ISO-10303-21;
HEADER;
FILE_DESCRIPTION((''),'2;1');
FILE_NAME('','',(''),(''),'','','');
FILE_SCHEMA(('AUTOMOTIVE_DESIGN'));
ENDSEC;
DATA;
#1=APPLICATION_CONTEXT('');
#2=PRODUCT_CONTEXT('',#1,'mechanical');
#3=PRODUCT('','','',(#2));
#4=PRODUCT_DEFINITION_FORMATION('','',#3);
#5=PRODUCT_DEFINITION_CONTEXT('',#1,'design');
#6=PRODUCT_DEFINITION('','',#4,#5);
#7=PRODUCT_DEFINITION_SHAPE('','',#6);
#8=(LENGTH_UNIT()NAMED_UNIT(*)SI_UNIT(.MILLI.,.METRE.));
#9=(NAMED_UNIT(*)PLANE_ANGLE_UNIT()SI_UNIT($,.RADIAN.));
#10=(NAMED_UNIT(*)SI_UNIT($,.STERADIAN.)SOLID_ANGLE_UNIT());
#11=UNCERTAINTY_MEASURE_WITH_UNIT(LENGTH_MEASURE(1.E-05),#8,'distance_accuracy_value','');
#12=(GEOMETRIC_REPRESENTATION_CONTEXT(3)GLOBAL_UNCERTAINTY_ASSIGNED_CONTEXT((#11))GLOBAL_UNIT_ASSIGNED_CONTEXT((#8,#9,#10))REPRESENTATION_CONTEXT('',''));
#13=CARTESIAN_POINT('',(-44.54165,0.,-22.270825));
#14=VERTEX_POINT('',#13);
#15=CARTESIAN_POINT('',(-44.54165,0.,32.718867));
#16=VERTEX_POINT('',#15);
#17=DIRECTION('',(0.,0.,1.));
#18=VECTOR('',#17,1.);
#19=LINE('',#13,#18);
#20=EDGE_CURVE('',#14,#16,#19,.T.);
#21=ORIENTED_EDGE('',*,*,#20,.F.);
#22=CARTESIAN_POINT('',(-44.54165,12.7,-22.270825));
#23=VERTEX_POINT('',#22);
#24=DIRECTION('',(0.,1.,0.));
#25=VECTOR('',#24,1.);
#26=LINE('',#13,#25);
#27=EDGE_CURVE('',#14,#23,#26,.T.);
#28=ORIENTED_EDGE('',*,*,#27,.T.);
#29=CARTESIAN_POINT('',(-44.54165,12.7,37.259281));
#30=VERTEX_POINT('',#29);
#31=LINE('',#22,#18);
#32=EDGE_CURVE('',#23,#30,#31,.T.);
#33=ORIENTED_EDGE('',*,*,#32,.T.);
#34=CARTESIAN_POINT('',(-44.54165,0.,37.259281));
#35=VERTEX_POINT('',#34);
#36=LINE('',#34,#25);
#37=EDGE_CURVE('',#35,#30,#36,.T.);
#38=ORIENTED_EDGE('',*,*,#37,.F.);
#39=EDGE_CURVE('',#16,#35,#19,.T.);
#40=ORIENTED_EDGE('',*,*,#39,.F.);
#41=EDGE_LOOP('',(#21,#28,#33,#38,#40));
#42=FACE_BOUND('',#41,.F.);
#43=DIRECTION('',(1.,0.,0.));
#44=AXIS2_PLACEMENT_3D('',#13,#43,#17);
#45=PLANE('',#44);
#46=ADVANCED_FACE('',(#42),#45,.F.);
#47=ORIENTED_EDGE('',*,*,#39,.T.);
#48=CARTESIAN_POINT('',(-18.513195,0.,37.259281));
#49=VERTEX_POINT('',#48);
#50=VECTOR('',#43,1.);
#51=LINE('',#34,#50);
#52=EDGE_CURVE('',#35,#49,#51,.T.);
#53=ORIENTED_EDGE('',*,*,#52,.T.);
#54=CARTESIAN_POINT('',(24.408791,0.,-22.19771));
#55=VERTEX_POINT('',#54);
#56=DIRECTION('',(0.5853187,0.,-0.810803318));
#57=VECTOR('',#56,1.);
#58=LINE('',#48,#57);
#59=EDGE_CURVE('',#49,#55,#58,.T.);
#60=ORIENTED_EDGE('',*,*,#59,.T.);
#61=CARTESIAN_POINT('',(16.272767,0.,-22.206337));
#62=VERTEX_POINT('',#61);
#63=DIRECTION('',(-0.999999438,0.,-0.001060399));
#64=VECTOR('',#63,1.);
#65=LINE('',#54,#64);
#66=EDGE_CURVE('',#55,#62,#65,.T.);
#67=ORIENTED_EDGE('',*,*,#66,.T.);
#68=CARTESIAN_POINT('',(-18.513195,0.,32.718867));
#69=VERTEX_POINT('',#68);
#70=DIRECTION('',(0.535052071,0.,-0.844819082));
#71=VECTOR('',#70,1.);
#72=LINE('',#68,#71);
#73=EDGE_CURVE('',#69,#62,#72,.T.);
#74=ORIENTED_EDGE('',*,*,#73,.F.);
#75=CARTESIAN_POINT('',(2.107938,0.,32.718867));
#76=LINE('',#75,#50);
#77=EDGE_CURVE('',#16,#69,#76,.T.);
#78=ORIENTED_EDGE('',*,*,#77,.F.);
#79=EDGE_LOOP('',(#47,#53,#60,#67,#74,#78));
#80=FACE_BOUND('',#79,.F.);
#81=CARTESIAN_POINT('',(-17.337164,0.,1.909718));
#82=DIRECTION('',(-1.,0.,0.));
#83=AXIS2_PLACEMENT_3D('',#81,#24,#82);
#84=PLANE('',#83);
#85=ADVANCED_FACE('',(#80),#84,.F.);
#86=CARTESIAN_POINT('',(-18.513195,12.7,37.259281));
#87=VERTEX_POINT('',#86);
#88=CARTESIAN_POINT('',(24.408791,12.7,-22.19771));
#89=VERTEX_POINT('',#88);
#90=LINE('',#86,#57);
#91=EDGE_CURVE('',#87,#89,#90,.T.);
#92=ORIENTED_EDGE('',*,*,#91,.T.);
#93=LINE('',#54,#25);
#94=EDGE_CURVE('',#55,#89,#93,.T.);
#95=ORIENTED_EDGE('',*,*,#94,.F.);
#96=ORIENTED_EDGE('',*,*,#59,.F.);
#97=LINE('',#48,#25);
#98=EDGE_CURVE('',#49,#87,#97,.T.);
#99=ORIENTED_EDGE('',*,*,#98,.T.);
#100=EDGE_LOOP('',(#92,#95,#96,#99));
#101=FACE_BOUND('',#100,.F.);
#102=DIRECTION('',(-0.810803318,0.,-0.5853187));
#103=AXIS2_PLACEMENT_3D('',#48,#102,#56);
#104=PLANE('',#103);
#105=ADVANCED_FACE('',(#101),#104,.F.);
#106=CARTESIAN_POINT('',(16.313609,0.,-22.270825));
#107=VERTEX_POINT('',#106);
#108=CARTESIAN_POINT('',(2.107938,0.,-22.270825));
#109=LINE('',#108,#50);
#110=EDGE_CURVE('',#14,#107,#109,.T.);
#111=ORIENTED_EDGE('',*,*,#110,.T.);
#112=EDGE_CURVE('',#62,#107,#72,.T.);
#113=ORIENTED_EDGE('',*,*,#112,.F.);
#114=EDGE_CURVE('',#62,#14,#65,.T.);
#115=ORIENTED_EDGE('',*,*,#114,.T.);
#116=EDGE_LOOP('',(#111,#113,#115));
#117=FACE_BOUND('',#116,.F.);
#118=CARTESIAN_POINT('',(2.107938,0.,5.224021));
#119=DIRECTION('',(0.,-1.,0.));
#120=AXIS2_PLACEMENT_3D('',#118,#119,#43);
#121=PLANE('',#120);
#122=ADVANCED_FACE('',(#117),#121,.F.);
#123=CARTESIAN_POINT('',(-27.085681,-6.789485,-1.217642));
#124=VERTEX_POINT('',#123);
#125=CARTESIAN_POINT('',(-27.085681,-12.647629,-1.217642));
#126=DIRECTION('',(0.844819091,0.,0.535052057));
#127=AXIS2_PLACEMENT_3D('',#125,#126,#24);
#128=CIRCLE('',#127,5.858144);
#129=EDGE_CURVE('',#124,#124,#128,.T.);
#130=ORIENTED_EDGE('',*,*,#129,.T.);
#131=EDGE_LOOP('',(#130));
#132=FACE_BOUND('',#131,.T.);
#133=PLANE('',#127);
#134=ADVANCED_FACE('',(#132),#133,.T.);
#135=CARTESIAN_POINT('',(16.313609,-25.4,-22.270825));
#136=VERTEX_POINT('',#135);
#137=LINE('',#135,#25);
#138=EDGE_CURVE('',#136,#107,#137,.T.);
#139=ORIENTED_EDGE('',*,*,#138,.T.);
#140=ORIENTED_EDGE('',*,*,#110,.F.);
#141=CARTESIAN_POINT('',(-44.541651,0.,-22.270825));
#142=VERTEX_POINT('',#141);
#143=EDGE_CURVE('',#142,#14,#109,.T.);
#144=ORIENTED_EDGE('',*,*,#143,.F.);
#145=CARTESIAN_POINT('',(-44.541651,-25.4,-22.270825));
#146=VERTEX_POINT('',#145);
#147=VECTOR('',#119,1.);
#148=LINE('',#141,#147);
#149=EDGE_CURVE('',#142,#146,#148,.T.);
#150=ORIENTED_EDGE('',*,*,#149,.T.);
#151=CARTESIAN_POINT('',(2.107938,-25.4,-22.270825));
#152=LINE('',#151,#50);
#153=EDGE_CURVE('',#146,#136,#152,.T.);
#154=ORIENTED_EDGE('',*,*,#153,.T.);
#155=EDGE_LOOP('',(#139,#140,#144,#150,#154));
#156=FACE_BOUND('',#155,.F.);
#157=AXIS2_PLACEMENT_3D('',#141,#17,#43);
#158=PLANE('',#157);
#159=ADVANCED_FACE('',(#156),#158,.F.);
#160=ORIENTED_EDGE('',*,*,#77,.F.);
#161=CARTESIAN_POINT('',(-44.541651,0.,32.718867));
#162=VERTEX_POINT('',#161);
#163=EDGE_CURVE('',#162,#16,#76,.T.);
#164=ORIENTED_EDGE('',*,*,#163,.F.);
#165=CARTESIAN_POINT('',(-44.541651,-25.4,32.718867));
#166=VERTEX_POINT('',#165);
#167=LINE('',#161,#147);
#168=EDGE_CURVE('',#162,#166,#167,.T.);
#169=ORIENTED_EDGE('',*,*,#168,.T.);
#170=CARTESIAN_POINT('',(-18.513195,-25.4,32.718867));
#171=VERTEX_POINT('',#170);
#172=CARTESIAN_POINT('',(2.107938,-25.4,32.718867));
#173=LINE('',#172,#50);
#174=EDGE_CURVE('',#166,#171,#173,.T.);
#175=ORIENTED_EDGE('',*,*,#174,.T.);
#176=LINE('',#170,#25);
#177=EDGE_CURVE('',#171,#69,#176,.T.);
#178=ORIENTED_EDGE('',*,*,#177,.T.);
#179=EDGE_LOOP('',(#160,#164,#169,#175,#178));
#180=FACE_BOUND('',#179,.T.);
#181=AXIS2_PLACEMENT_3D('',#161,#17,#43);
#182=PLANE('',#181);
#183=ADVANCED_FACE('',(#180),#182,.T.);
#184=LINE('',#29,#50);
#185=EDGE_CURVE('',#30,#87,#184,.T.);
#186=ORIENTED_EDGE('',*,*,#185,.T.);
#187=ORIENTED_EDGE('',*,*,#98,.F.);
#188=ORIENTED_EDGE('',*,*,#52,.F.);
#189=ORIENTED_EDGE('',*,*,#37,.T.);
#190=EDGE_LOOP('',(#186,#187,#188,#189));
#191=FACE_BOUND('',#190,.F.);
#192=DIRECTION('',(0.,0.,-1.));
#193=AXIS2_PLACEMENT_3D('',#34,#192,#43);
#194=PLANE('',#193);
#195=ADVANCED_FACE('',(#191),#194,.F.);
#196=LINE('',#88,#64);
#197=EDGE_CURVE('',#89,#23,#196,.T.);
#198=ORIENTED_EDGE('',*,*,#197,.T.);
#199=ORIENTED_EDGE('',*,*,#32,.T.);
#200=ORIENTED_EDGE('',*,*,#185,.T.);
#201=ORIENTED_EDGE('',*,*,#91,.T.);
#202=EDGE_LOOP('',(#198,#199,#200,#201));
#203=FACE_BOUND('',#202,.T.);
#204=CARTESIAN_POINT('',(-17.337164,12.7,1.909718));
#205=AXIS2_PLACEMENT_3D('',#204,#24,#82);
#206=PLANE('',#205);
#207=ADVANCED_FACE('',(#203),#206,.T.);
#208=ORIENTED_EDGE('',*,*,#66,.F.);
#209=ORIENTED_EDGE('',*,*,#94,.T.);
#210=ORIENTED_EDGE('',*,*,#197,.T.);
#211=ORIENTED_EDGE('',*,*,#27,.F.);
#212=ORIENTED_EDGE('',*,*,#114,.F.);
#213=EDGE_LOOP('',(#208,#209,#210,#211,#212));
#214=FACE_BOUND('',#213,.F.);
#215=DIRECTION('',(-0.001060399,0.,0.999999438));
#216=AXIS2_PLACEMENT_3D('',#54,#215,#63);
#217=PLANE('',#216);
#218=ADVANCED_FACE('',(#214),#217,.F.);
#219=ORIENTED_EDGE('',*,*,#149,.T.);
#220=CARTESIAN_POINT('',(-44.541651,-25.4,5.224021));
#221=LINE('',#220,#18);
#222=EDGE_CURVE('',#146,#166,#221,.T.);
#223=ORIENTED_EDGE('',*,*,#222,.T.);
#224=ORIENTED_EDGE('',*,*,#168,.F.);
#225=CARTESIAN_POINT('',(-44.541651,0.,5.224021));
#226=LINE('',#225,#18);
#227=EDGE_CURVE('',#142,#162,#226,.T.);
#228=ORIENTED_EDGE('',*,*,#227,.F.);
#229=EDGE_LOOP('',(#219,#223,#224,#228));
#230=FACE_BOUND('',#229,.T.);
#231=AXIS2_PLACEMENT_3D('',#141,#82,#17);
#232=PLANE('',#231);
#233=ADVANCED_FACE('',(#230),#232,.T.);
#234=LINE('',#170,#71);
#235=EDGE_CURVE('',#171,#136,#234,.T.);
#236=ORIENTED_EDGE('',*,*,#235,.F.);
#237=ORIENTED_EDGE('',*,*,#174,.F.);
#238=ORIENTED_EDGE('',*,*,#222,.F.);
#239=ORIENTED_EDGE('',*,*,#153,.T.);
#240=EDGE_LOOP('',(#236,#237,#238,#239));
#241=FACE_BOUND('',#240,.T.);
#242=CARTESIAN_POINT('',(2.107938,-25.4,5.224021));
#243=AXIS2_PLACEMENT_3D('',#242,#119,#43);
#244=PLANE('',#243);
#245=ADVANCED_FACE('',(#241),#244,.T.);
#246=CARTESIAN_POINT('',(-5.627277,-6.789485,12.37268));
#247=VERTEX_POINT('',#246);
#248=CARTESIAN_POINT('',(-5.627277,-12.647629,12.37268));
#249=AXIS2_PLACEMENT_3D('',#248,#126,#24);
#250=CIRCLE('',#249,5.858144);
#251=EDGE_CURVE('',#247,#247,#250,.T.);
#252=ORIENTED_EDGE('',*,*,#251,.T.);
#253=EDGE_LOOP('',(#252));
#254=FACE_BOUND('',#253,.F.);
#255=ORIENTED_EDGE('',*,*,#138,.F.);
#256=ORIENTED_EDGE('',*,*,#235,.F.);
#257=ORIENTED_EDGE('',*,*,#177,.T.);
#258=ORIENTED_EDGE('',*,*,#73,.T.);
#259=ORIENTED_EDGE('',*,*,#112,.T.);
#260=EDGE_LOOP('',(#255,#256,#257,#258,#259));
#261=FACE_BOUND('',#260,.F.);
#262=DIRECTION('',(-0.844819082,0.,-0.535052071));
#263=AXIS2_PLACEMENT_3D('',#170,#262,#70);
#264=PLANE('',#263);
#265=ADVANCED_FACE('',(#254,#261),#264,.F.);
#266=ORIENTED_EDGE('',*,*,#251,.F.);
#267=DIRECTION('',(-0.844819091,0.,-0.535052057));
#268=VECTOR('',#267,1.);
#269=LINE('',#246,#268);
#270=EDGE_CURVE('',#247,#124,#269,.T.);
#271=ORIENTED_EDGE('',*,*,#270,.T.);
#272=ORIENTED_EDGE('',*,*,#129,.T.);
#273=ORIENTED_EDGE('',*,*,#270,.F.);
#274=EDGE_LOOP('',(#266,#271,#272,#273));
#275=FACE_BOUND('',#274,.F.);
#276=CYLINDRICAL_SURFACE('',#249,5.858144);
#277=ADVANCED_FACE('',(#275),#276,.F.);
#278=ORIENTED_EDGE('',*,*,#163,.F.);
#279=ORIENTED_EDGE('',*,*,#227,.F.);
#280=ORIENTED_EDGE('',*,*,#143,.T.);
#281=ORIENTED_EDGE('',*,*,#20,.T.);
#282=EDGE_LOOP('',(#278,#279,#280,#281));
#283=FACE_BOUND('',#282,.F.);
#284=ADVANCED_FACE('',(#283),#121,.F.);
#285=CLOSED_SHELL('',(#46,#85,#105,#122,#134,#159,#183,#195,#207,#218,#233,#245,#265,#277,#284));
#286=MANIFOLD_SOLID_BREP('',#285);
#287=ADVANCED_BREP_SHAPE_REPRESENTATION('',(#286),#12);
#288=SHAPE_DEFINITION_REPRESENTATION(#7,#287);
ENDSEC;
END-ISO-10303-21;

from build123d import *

# Parameters (mm, degrees)
F0_W     = 93.299177
F0_H     = 54.989692
F1_DEPTH = 25.4
F3_DEPTH = 25.4
F4_R     = 5.858144
F5_DEPTH = 25.4
F6_W     = 80.10165
F6_H     = 55.35629
F7_DEPTH = 25.4
F9_DEPTH = 12.7


with BuildPart() as f1:
    # F0 (on Front) → F1 (new body)
    with BuildSketch(Plane.XZ):
        with Locations((2.107938, 5.224021)):
            Rectangle(F0_W, F0_H)
    extrude(amount=F1_DEPTH)

    # F2 (on face) → F3 (cut)
    with BuildSketch(Plane.XZ.offset(25.4)):
        Polygon((55.539589, 35.285052), (-18.513195, 32.718867), (16.313609, -22.270825), (61.221853, -24.653712), align=None)
    extrude(amount=-F3_DEPTH, mode=Mode.SUBTRACT)

    # F4 (on face) → F5 (cut)
    with BuildSketch(Plane(origin=(1.57643, 0, 0.998406), x_dir=(0, 1, 0), z_dir=(0.844819, 0, 0.535052))):
        with Locations((-12.647629, 13.463562)):
            Circle(F4_R)
    extrude(amount=-F5_DEPTH, mode=Mode.SUBTRACT)

    # F6 (on Front) → F7 (cut)
    with BuildSketch(Plane.XZ):
        with Locations((-4.857423, 5.040722)):
            Rectangle(F6_W, F6_H)
    extrude(amount=-F7_DEPTH, mode=Mode.SUBTRACT)

    # F8 (on face) → F9 (join)
    with BuildSketch(Plane(origin=(0, 0, 0), x_dir=(-1, 0, 0), z_dir=(0, 1, 0))):
        Polygon((44.54165, 37.259281), (18.513195, 37.259281), (-24.408791, -22.19771), (44.54165, -22.270825), align=None)
    extrude(amount=F9_DEPTH)


solid = f1.part
